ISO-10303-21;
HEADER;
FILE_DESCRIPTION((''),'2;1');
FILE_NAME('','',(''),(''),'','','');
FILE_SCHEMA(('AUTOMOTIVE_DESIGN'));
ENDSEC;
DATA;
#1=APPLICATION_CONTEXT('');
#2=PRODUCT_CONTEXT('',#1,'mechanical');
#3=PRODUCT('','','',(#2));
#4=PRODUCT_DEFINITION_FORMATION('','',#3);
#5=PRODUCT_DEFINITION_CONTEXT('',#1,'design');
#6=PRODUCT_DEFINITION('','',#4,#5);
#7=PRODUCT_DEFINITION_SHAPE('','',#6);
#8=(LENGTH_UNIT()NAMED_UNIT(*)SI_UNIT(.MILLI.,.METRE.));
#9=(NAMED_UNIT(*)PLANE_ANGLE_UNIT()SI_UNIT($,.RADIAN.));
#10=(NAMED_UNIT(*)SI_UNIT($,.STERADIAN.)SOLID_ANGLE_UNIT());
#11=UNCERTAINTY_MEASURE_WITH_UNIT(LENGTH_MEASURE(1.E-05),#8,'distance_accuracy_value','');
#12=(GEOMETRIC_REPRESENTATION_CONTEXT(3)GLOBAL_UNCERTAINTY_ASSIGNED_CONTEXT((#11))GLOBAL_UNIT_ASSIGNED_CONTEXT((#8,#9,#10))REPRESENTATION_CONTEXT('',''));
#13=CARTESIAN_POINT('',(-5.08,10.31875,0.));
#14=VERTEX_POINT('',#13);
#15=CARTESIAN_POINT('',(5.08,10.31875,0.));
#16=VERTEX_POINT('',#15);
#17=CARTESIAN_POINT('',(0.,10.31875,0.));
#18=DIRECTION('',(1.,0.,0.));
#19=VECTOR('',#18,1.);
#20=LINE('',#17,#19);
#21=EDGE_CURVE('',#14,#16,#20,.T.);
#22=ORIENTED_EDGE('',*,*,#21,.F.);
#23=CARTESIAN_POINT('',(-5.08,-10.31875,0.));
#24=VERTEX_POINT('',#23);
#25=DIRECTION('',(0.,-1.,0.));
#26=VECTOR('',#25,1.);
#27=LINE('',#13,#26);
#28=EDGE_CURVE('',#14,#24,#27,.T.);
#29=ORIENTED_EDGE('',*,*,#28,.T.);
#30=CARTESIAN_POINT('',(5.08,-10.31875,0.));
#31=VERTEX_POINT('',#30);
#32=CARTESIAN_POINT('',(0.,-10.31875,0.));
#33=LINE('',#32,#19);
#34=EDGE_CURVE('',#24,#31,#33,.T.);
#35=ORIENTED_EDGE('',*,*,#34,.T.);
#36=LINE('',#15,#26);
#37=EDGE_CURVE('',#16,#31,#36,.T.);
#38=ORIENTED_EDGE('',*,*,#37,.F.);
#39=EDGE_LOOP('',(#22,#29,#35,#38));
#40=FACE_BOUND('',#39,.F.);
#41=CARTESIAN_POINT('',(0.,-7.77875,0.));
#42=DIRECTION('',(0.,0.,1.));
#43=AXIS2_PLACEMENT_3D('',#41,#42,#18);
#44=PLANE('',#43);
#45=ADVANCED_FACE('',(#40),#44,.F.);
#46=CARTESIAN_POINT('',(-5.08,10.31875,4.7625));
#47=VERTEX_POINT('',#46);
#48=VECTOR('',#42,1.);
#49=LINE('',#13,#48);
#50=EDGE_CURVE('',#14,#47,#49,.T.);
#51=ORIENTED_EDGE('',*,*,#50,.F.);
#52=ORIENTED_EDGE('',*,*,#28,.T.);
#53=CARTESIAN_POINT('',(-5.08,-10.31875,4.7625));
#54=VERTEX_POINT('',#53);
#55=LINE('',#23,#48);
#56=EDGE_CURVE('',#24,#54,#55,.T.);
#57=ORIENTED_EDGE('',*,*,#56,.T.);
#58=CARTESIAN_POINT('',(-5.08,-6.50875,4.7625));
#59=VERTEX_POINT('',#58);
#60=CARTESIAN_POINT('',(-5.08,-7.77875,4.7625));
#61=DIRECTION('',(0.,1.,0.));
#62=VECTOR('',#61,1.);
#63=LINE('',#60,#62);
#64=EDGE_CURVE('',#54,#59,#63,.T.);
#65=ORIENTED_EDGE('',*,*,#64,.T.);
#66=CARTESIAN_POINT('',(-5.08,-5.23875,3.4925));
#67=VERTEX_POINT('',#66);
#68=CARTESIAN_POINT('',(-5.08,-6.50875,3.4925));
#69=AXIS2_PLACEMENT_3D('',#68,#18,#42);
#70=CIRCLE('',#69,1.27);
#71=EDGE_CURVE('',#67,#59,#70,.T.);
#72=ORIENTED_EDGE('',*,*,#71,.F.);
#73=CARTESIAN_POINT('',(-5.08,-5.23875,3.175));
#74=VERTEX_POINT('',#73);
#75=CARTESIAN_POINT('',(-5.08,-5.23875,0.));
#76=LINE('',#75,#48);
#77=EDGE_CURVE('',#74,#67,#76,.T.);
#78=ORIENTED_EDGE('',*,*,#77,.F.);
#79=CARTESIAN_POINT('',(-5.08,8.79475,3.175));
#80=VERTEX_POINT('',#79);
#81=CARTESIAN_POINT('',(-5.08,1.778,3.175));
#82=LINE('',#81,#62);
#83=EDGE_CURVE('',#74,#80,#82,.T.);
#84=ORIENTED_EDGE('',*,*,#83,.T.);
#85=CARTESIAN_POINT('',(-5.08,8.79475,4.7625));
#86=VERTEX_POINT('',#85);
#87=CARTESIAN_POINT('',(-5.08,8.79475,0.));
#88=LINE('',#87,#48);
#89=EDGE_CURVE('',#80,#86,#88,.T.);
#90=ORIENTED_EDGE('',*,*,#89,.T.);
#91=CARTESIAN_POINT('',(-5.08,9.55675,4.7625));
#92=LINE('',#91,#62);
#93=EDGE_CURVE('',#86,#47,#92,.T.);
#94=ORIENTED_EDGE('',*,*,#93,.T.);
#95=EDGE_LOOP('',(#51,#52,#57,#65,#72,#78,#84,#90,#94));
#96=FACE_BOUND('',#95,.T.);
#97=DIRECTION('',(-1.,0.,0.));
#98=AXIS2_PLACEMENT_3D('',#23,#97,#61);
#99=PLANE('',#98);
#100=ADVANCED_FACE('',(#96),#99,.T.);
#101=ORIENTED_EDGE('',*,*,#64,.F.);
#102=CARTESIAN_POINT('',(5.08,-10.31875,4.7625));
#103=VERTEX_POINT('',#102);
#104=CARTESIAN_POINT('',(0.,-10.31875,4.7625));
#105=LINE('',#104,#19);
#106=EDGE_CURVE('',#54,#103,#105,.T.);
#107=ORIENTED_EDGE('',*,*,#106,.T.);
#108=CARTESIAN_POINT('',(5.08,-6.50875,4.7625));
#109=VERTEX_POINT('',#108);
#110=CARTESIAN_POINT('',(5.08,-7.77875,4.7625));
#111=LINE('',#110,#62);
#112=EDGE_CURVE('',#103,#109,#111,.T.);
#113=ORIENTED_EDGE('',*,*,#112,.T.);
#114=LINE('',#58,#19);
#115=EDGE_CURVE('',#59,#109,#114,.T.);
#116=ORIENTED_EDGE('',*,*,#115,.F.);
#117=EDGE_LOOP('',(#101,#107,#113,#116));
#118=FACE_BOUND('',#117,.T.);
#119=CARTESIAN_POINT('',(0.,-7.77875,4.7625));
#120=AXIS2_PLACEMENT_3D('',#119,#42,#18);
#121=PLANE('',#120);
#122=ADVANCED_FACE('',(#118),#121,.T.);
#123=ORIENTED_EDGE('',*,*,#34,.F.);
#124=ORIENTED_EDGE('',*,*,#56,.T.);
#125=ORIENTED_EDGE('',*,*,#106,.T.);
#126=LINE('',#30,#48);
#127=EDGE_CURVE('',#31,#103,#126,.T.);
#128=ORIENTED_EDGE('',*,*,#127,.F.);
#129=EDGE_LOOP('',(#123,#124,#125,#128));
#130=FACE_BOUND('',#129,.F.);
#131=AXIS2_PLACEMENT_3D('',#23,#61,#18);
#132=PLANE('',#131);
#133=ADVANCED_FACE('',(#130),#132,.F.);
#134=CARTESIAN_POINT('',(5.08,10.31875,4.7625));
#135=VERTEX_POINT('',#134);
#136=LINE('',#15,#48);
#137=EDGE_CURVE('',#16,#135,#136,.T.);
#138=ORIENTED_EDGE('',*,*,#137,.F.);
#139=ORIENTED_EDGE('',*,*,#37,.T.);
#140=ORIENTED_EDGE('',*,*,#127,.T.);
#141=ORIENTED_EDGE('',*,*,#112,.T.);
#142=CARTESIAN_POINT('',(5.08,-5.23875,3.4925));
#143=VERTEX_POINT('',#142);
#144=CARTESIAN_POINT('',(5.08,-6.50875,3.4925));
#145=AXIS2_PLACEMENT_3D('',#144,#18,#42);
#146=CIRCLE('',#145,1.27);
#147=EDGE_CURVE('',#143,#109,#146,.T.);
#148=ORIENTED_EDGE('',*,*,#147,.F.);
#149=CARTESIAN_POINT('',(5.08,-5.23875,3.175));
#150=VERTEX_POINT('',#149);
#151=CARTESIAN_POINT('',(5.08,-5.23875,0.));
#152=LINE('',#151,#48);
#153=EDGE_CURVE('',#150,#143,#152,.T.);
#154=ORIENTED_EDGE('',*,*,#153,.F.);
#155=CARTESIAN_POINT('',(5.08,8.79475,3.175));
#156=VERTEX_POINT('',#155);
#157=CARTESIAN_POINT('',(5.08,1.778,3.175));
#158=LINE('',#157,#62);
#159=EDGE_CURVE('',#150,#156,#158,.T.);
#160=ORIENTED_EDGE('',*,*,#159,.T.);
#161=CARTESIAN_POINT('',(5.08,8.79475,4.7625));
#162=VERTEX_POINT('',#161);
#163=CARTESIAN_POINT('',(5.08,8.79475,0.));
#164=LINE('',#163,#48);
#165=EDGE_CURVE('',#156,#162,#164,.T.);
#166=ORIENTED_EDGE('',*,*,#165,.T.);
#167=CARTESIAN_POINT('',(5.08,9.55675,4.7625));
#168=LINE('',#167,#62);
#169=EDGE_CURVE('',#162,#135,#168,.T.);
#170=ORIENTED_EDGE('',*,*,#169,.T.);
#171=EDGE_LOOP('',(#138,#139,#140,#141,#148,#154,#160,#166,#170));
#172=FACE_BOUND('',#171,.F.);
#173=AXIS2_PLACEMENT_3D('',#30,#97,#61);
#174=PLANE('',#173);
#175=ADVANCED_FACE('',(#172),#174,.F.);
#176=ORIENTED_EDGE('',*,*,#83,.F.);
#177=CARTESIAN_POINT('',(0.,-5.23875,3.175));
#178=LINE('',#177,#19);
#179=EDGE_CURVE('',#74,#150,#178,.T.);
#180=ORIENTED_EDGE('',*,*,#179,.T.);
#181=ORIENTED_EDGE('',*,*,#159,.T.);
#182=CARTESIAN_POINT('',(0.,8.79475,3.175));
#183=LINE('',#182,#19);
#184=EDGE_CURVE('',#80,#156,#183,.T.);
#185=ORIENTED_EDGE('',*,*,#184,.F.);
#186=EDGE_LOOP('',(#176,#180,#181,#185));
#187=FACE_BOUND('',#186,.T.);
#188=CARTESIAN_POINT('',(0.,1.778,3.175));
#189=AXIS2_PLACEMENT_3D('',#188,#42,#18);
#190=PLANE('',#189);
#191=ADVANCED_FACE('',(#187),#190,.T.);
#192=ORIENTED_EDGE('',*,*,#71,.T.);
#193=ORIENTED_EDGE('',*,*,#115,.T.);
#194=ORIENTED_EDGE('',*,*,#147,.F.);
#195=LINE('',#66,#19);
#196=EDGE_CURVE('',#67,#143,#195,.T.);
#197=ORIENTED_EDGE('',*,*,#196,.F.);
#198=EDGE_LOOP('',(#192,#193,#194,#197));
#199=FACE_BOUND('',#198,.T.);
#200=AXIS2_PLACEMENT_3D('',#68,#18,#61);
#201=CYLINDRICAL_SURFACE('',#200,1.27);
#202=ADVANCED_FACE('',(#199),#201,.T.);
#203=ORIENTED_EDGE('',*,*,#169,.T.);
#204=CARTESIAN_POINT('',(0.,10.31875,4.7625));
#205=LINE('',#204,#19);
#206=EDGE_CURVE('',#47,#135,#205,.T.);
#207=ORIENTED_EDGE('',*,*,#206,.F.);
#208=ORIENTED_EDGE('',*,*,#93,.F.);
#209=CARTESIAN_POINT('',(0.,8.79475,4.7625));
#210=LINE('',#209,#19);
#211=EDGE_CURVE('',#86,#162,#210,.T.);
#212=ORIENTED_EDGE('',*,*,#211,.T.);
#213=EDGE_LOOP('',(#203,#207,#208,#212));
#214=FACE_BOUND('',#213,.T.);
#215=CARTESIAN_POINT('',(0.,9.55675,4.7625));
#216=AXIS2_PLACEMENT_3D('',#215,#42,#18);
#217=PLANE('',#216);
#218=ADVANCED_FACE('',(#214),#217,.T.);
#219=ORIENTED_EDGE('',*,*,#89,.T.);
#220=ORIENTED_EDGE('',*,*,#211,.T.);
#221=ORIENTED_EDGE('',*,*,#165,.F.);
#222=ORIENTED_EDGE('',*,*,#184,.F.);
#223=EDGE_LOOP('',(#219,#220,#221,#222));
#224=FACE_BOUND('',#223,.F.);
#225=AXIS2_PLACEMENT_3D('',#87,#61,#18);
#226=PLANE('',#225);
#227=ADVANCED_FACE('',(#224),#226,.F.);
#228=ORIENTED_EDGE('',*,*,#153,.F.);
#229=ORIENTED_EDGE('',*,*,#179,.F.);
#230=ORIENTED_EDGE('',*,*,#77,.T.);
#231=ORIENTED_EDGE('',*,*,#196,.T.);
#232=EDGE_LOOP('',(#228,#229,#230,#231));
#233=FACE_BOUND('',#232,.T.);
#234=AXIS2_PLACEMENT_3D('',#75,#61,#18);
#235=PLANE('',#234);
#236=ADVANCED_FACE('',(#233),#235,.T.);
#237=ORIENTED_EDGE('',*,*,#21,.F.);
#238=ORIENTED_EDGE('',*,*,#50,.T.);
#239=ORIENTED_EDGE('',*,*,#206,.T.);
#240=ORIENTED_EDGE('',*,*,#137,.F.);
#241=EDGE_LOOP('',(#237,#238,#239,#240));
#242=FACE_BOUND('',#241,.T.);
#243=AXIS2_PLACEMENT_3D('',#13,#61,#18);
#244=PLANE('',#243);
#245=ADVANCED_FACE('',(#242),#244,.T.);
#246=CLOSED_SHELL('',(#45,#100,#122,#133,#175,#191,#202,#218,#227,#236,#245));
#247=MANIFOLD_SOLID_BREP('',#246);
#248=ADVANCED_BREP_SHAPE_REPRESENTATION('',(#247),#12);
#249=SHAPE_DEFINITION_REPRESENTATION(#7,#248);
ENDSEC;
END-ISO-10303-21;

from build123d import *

# Parameters (mm, degrees)
F0_W     = 10.16
F0_H     = 14.0335
F1_DEPTH = 3.175
F0_H_2   = 5.08
F0_H_3   = 1.524
F2_DEPTH = 4.7625
F3_R     = 1.27


with BuildPart() as f1:
    # F0 (on Top) → F1 (new body)
    with BuildSketch(Plane.XY):
        with Locations((0, 1.778)):
            Rectangle(F0_W, F0_H)
    extrude(amount=F1_DEPTH)

    # F0 (on Top) → F2 (join)
    with BuildSketch(Plane.XY):
        with Locations((0, -7.77875)):
            Rectangle(F0_W, F0_H_2)
        with Locations((0, 9.55675)):
            Rectangle(F0_W, F0_H_3)
    extrude(amount=F2_DEPTH)

    # F3
    f3_edges = [f1.edges().sort_by_distance(p)[0] for p in [
        (0, -5.23875, 4.7625),
    ]]
    fillet(f3_edges, radius=F3_R)


solid = f1.part
